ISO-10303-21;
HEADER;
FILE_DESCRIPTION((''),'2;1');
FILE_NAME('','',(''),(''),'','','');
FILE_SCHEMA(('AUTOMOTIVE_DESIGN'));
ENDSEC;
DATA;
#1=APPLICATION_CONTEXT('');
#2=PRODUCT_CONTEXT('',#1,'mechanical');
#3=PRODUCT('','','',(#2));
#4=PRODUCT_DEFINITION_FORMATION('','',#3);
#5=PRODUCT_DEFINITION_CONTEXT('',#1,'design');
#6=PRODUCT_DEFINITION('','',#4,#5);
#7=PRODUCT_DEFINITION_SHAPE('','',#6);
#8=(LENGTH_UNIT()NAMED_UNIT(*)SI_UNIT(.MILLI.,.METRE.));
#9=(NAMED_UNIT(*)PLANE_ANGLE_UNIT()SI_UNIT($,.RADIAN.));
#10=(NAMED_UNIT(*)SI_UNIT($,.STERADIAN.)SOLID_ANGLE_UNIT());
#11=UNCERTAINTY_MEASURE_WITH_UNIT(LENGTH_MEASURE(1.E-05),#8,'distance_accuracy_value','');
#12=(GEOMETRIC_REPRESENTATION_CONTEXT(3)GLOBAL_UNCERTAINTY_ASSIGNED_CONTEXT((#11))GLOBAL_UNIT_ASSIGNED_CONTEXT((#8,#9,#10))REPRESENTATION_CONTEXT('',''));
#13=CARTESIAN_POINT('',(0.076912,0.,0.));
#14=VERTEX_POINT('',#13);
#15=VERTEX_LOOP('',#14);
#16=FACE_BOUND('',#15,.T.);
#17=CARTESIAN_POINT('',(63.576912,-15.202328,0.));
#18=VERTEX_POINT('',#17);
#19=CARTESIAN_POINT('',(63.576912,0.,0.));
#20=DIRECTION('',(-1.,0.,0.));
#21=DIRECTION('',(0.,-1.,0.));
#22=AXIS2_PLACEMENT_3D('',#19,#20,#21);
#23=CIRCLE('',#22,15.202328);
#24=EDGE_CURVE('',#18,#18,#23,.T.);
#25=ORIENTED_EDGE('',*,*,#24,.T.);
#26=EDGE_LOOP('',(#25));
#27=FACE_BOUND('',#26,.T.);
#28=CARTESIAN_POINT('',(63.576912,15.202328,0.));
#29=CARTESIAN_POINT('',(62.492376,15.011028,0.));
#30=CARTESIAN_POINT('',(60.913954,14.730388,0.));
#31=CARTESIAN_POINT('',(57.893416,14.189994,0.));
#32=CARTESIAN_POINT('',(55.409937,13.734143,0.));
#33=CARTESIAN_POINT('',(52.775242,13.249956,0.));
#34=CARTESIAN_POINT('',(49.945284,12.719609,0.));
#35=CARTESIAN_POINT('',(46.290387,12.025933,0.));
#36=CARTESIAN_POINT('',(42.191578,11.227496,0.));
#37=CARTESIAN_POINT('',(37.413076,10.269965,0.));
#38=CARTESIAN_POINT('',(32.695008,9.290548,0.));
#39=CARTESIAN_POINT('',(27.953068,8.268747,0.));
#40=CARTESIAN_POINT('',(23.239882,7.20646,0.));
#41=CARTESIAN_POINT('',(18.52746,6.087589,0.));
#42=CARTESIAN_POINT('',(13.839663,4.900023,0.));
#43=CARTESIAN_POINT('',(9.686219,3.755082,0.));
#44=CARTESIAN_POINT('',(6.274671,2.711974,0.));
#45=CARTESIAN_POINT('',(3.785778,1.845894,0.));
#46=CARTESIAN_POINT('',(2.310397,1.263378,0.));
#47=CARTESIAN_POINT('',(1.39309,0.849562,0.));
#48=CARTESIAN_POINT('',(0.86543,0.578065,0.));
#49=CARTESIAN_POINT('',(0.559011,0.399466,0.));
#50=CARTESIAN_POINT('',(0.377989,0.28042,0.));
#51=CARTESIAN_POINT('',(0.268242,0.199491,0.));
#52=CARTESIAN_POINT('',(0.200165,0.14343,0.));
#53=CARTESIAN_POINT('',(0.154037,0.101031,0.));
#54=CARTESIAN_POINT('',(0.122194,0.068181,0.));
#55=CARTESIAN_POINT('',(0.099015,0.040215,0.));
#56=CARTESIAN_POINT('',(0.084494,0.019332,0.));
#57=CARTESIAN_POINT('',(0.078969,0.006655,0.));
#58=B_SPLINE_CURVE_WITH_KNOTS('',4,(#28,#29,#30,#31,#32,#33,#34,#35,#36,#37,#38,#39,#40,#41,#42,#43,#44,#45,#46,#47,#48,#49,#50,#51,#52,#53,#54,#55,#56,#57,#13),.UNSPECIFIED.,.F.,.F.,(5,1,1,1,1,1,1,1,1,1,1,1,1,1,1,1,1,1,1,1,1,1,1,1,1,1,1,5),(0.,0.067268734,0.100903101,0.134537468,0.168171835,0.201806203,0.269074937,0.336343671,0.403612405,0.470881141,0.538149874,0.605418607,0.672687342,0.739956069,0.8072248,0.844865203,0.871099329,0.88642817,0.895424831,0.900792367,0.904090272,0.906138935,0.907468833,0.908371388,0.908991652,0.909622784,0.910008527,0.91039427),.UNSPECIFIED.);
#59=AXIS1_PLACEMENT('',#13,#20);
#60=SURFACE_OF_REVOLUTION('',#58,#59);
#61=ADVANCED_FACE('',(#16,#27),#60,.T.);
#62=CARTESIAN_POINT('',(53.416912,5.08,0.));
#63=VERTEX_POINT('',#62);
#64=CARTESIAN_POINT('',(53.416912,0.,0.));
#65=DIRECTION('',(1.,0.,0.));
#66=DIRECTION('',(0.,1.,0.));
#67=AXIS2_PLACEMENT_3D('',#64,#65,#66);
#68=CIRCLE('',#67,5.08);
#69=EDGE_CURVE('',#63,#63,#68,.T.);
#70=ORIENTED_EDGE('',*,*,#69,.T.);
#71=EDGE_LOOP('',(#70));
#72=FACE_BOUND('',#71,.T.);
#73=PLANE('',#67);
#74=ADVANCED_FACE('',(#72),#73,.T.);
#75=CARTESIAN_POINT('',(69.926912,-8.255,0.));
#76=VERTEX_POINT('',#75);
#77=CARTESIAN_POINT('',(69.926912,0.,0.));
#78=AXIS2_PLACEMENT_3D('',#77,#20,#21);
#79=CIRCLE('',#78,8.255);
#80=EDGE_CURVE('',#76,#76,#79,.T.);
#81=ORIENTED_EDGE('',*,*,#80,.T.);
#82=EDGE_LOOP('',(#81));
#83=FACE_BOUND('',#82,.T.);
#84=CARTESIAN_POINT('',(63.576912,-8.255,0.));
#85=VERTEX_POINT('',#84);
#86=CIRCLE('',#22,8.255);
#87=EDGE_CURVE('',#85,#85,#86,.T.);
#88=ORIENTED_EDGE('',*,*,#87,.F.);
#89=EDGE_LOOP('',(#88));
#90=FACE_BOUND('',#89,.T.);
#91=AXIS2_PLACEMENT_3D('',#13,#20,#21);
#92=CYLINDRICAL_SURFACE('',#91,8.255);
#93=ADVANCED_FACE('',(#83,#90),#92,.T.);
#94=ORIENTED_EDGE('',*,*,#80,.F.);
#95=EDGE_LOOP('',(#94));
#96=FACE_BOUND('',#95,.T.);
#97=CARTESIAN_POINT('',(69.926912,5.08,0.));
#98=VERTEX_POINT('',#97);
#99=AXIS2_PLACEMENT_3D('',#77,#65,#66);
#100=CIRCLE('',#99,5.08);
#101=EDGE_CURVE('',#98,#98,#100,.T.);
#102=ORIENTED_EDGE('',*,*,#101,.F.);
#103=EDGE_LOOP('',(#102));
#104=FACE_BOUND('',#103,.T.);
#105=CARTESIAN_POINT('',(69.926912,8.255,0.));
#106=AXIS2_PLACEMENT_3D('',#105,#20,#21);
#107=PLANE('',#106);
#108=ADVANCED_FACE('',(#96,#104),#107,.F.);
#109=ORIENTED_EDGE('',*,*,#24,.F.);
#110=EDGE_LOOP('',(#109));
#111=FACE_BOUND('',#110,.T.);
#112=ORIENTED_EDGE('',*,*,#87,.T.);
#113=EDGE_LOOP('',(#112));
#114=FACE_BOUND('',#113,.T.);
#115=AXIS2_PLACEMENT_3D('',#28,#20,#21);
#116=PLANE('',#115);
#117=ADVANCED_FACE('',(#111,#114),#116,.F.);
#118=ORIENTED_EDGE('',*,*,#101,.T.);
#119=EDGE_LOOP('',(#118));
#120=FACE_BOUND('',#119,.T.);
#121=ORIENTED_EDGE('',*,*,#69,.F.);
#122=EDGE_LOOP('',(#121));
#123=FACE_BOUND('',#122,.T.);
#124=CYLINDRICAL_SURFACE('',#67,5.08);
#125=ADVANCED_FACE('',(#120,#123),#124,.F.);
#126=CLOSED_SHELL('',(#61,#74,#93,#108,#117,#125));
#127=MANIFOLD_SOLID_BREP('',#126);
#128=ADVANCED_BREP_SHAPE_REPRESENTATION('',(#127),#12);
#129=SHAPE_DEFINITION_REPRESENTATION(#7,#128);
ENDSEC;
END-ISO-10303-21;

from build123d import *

# Parameters (mm, degrees)
SKETCH2_R          = 5.08
CUT_EXTRUDE1_DEPTH = 16.51


with BuildPart() as part:
    # Sketch1 → Revolve2 (revolve)
    with BuildSketch(Plane.XY, mode=Mode.PRIVATE) as revolve2_sk:
        with BuildLine():
            Line((0.076912079, 0), (19.729098629, 0))
            Line((19.729098629, 0), (69.926912079, 0))
            Line((69.926912079, 0), (69.926912079, 8.255))
            Line((69.926912079, 8.255), (63.576912079, 8.255))
            Line((63.576912079, 8.255), (63.576912079, 10.736964756))
            Line((63.576912079, 10.736964756), (63.576912079, 15.202327863))
            add(Edge.make_bspline(
                [(0.076912079, 0), (0.078969442, 0.006654897), (0.084493501, 0.019331639), (0.099015149, 0.040214938), (0.122193786, 0.068181148), (0.154037071, 0.101030827), (0.200164992, 0.143430217), (0.268241975, 0.199491093), (0.377989498, 0.280420084), (0.559011436, 0.399466477), (0.865430107, 0.578065399), (1.393090445, 0.849562336), (2.310397178, 1.263377843), (3.785778471, 1.84589404), (6.274670901, 2.711974419), (9.686218669, 3.755081994), (13.839662552, 4.9000227), (18.527460046, 6.08758867), (23.239882114, 7.206459906), (27.953067809, 8.268747256), (32.695008152, 9.290547714), (37.413075952, 10.2699645), (42.191578277, 11.227495954), (46.290387037, 12.025933106), (49.945283894, 12.719608632), (52.775241544, 13.249955676), (55.409936962, 13.734142868), (57.893416235, 14.189994092), (60.913953522, 14.730387672), (62.492375844, 15.01102822), (63.576912079, 15.202327863)],
                knots=[0, 0, 0, 0, 0, 0.000385743, 0.000771486, 0.001402618, 0.002022882, 0.002925437, 0.004255336, 0.006303998, 0.009601903, 0.014969439, 0.0239661, 0.039294941, 0.065529067, 0.10316947, 0.170438202, 0.237706928, 0.304975663, 0.372244397, 0.43951313, 0.506781866, 0.574050599, 0.641319334, 0.708588068, 0.742222435, 0.775856802, 0.809491169, 0.843125536, 0.91039427, 0.91039427, 0.91039427, 0.91039427, 0.91039427], degree=4))
        make_face()
    revolve(revolve2_sk.sketch.rotate(Axis((0.076912079, 0, 0), (1, 0, 0)), 180), axis=Axis((0.076912079, 0, 0), (1, 0, 0)))

    # Sketch2 → Cut-Extrude1 (cut)
    with BuildSketch(Plane(origin=(69.926912079, 0, 0), x_dir=(0, 0, -1), z_dir=(1, 0, 0))):
        with Locations(Location((0, 0, 0), (0, 0, 90))):
            Circle(SKETCH2_R)
    extrude(amount=-CUT_EXTRUDE1_DEPTH, mode=Mode.SUBTRACT)


solid = part.part
